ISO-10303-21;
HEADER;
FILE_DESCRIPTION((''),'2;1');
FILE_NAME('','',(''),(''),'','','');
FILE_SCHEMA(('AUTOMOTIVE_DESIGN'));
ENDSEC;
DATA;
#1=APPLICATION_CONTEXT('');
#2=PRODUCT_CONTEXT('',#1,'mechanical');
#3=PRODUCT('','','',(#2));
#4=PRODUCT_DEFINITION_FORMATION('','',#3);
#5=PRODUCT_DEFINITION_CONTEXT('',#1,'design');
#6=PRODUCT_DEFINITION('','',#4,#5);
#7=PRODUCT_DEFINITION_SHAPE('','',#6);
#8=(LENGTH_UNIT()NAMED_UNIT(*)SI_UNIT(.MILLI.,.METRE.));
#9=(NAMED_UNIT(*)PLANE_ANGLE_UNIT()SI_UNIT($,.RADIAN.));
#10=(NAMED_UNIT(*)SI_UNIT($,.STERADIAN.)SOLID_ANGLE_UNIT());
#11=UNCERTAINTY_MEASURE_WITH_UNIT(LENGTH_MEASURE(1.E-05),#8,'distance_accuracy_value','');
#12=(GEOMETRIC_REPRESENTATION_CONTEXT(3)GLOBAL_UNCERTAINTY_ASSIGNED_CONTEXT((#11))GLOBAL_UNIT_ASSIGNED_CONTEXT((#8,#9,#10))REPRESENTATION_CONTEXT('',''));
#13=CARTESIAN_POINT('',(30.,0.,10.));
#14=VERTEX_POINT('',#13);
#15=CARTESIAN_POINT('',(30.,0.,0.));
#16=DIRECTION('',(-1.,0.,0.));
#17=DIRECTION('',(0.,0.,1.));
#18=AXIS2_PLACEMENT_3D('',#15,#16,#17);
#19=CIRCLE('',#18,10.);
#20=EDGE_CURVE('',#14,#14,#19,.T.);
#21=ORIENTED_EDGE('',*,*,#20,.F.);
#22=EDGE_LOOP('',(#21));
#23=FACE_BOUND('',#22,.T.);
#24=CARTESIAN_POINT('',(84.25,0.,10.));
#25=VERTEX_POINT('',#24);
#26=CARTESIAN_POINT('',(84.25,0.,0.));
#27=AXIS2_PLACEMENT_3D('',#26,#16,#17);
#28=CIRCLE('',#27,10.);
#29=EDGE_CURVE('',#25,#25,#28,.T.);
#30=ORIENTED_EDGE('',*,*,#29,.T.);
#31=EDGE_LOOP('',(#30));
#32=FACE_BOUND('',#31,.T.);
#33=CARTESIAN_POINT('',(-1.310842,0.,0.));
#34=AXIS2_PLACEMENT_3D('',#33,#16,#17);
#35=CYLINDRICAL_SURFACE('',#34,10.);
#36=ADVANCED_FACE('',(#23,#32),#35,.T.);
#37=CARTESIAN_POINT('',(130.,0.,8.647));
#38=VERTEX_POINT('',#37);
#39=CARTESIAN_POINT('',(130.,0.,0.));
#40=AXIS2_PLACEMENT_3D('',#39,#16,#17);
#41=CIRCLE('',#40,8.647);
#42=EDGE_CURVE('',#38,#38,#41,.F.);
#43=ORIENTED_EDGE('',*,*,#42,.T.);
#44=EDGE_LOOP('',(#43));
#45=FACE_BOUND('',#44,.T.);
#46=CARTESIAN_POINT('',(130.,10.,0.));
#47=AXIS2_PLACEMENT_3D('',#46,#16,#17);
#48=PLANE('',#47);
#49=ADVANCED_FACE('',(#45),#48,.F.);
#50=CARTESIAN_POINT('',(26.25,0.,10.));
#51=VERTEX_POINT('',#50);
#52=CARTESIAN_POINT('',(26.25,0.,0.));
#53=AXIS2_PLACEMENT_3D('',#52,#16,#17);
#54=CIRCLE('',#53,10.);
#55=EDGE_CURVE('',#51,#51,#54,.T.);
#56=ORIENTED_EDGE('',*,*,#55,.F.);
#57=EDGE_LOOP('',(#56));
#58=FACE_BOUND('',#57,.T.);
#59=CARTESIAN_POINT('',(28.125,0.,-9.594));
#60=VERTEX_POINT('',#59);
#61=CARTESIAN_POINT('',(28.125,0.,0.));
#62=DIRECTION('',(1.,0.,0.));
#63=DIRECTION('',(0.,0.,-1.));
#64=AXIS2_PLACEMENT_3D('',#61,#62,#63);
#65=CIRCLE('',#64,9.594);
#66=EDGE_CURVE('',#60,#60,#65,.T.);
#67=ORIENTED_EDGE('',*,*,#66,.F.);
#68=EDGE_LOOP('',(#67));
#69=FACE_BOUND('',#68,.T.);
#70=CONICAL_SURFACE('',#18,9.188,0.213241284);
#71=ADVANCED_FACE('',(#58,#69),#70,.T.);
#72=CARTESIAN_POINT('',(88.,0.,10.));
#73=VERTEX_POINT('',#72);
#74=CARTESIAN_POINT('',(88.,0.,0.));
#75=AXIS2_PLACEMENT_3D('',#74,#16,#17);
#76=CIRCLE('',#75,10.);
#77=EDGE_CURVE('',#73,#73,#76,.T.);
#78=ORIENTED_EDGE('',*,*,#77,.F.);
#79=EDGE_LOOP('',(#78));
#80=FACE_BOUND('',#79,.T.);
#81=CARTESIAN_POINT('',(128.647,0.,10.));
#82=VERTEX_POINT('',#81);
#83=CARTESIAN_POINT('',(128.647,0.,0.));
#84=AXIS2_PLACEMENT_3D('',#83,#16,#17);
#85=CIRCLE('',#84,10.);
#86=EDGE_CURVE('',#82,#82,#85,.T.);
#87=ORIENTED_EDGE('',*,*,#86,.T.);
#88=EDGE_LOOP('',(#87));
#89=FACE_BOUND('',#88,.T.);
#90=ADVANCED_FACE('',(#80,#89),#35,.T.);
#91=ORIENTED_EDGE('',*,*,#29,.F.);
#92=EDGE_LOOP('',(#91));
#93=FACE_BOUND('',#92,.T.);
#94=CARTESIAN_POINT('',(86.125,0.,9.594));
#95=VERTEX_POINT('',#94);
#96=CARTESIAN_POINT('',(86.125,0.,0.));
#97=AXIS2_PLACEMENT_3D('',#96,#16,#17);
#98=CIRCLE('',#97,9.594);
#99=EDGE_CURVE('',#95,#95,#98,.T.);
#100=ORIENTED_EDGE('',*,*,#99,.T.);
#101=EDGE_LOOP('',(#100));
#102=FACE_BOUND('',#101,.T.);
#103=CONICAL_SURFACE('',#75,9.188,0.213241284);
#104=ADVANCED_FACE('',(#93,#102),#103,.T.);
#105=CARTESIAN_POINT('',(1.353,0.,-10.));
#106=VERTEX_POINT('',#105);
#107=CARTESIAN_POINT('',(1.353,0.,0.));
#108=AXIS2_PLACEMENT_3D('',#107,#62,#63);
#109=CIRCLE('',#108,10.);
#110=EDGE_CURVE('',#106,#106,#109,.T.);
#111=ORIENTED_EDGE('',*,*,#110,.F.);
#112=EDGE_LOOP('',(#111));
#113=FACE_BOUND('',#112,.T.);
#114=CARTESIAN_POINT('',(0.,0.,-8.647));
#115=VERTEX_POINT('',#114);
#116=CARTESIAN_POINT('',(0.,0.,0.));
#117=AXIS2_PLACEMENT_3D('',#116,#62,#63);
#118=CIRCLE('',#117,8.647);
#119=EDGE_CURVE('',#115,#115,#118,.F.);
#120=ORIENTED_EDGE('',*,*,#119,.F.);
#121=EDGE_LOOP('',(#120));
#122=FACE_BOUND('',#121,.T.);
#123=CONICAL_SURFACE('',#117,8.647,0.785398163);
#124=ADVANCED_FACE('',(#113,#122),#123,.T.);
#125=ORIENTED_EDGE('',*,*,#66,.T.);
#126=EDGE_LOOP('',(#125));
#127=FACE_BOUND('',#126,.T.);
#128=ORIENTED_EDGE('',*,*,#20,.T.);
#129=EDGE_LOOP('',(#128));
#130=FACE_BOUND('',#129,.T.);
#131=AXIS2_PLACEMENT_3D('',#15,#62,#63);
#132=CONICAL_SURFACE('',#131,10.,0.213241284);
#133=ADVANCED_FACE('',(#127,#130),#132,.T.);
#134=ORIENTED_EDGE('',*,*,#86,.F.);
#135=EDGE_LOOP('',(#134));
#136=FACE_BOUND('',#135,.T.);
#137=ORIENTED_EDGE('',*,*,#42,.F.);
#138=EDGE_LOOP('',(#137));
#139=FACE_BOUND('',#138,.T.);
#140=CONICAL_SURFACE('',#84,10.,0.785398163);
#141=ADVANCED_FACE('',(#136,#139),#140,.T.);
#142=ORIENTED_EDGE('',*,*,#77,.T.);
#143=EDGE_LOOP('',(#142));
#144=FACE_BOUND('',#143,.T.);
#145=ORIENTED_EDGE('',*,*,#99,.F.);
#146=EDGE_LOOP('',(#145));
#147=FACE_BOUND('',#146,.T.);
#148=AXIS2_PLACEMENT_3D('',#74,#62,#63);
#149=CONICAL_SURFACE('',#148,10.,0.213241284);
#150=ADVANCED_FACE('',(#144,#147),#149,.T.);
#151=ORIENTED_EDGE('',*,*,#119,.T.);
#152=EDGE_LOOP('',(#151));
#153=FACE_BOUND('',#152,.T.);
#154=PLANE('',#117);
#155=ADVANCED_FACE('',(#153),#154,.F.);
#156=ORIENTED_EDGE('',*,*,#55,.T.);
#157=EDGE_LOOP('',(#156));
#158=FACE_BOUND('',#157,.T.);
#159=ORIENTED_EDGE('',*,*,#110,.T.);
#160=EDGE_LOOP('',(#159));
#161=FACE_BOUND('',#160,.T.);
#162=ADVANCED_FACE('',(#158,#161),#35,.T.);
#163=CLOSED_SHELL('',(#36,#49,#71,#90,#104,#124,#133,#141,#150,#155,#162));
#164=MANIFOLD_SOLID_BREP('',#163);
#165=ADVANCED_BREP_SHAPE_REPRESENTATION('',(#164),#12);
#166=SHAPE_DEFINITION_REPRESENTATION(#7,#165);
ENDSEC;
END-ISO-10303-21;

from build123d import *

# Parameters (mm, degrees)
HEADCHAMFER_SIZE = 1.353


with BuildPart() as part:
    # Sketch1 → BaseHead (revolve)
    with BuildSketch(Plane.XY, mode=Mode.PRIVATE) as basehead_sk:
        Polygon((0, 0), (0, 10), (26.25, 10), (30, 9.188), (84.25, 9.188), (88, 10), (130, 10), (130, 0), align=None)
    revolve(basehead_sk.sketch.rotate(Axis((-1.310841664, 0, 0), (1, 0, 0)), 90), axis=Axis((-1.310841664, 0, 0), (1, 0, 0)))

    # HeadChamfer
    headchamfer_edges = [part.edges().sort_by_distance(p)[0] for p in [
        (130, 0, -10),
        (0, 0, -10),
    ]]
    chamfer(headchamfer_edges, length=HEADCHAMFER_SIZE)

    # Sketch2 → BaseBody (revolve)
    with BuildSketch(Plane.XY, mode=Mode.PRIVATE) as basebody_sk:
        Polygon((26.25, 9.188), (30, 10), (84.25, 10), (88, 9.188), align=None)
    revolve(basebody_sk.sketch.rotate(Axis((-1.310841664, 0, 0), (1, 0, 0)), 90), axis=Axis((-1.310841664, 0, 0), (1, 0, 0)))


solid = part.part
